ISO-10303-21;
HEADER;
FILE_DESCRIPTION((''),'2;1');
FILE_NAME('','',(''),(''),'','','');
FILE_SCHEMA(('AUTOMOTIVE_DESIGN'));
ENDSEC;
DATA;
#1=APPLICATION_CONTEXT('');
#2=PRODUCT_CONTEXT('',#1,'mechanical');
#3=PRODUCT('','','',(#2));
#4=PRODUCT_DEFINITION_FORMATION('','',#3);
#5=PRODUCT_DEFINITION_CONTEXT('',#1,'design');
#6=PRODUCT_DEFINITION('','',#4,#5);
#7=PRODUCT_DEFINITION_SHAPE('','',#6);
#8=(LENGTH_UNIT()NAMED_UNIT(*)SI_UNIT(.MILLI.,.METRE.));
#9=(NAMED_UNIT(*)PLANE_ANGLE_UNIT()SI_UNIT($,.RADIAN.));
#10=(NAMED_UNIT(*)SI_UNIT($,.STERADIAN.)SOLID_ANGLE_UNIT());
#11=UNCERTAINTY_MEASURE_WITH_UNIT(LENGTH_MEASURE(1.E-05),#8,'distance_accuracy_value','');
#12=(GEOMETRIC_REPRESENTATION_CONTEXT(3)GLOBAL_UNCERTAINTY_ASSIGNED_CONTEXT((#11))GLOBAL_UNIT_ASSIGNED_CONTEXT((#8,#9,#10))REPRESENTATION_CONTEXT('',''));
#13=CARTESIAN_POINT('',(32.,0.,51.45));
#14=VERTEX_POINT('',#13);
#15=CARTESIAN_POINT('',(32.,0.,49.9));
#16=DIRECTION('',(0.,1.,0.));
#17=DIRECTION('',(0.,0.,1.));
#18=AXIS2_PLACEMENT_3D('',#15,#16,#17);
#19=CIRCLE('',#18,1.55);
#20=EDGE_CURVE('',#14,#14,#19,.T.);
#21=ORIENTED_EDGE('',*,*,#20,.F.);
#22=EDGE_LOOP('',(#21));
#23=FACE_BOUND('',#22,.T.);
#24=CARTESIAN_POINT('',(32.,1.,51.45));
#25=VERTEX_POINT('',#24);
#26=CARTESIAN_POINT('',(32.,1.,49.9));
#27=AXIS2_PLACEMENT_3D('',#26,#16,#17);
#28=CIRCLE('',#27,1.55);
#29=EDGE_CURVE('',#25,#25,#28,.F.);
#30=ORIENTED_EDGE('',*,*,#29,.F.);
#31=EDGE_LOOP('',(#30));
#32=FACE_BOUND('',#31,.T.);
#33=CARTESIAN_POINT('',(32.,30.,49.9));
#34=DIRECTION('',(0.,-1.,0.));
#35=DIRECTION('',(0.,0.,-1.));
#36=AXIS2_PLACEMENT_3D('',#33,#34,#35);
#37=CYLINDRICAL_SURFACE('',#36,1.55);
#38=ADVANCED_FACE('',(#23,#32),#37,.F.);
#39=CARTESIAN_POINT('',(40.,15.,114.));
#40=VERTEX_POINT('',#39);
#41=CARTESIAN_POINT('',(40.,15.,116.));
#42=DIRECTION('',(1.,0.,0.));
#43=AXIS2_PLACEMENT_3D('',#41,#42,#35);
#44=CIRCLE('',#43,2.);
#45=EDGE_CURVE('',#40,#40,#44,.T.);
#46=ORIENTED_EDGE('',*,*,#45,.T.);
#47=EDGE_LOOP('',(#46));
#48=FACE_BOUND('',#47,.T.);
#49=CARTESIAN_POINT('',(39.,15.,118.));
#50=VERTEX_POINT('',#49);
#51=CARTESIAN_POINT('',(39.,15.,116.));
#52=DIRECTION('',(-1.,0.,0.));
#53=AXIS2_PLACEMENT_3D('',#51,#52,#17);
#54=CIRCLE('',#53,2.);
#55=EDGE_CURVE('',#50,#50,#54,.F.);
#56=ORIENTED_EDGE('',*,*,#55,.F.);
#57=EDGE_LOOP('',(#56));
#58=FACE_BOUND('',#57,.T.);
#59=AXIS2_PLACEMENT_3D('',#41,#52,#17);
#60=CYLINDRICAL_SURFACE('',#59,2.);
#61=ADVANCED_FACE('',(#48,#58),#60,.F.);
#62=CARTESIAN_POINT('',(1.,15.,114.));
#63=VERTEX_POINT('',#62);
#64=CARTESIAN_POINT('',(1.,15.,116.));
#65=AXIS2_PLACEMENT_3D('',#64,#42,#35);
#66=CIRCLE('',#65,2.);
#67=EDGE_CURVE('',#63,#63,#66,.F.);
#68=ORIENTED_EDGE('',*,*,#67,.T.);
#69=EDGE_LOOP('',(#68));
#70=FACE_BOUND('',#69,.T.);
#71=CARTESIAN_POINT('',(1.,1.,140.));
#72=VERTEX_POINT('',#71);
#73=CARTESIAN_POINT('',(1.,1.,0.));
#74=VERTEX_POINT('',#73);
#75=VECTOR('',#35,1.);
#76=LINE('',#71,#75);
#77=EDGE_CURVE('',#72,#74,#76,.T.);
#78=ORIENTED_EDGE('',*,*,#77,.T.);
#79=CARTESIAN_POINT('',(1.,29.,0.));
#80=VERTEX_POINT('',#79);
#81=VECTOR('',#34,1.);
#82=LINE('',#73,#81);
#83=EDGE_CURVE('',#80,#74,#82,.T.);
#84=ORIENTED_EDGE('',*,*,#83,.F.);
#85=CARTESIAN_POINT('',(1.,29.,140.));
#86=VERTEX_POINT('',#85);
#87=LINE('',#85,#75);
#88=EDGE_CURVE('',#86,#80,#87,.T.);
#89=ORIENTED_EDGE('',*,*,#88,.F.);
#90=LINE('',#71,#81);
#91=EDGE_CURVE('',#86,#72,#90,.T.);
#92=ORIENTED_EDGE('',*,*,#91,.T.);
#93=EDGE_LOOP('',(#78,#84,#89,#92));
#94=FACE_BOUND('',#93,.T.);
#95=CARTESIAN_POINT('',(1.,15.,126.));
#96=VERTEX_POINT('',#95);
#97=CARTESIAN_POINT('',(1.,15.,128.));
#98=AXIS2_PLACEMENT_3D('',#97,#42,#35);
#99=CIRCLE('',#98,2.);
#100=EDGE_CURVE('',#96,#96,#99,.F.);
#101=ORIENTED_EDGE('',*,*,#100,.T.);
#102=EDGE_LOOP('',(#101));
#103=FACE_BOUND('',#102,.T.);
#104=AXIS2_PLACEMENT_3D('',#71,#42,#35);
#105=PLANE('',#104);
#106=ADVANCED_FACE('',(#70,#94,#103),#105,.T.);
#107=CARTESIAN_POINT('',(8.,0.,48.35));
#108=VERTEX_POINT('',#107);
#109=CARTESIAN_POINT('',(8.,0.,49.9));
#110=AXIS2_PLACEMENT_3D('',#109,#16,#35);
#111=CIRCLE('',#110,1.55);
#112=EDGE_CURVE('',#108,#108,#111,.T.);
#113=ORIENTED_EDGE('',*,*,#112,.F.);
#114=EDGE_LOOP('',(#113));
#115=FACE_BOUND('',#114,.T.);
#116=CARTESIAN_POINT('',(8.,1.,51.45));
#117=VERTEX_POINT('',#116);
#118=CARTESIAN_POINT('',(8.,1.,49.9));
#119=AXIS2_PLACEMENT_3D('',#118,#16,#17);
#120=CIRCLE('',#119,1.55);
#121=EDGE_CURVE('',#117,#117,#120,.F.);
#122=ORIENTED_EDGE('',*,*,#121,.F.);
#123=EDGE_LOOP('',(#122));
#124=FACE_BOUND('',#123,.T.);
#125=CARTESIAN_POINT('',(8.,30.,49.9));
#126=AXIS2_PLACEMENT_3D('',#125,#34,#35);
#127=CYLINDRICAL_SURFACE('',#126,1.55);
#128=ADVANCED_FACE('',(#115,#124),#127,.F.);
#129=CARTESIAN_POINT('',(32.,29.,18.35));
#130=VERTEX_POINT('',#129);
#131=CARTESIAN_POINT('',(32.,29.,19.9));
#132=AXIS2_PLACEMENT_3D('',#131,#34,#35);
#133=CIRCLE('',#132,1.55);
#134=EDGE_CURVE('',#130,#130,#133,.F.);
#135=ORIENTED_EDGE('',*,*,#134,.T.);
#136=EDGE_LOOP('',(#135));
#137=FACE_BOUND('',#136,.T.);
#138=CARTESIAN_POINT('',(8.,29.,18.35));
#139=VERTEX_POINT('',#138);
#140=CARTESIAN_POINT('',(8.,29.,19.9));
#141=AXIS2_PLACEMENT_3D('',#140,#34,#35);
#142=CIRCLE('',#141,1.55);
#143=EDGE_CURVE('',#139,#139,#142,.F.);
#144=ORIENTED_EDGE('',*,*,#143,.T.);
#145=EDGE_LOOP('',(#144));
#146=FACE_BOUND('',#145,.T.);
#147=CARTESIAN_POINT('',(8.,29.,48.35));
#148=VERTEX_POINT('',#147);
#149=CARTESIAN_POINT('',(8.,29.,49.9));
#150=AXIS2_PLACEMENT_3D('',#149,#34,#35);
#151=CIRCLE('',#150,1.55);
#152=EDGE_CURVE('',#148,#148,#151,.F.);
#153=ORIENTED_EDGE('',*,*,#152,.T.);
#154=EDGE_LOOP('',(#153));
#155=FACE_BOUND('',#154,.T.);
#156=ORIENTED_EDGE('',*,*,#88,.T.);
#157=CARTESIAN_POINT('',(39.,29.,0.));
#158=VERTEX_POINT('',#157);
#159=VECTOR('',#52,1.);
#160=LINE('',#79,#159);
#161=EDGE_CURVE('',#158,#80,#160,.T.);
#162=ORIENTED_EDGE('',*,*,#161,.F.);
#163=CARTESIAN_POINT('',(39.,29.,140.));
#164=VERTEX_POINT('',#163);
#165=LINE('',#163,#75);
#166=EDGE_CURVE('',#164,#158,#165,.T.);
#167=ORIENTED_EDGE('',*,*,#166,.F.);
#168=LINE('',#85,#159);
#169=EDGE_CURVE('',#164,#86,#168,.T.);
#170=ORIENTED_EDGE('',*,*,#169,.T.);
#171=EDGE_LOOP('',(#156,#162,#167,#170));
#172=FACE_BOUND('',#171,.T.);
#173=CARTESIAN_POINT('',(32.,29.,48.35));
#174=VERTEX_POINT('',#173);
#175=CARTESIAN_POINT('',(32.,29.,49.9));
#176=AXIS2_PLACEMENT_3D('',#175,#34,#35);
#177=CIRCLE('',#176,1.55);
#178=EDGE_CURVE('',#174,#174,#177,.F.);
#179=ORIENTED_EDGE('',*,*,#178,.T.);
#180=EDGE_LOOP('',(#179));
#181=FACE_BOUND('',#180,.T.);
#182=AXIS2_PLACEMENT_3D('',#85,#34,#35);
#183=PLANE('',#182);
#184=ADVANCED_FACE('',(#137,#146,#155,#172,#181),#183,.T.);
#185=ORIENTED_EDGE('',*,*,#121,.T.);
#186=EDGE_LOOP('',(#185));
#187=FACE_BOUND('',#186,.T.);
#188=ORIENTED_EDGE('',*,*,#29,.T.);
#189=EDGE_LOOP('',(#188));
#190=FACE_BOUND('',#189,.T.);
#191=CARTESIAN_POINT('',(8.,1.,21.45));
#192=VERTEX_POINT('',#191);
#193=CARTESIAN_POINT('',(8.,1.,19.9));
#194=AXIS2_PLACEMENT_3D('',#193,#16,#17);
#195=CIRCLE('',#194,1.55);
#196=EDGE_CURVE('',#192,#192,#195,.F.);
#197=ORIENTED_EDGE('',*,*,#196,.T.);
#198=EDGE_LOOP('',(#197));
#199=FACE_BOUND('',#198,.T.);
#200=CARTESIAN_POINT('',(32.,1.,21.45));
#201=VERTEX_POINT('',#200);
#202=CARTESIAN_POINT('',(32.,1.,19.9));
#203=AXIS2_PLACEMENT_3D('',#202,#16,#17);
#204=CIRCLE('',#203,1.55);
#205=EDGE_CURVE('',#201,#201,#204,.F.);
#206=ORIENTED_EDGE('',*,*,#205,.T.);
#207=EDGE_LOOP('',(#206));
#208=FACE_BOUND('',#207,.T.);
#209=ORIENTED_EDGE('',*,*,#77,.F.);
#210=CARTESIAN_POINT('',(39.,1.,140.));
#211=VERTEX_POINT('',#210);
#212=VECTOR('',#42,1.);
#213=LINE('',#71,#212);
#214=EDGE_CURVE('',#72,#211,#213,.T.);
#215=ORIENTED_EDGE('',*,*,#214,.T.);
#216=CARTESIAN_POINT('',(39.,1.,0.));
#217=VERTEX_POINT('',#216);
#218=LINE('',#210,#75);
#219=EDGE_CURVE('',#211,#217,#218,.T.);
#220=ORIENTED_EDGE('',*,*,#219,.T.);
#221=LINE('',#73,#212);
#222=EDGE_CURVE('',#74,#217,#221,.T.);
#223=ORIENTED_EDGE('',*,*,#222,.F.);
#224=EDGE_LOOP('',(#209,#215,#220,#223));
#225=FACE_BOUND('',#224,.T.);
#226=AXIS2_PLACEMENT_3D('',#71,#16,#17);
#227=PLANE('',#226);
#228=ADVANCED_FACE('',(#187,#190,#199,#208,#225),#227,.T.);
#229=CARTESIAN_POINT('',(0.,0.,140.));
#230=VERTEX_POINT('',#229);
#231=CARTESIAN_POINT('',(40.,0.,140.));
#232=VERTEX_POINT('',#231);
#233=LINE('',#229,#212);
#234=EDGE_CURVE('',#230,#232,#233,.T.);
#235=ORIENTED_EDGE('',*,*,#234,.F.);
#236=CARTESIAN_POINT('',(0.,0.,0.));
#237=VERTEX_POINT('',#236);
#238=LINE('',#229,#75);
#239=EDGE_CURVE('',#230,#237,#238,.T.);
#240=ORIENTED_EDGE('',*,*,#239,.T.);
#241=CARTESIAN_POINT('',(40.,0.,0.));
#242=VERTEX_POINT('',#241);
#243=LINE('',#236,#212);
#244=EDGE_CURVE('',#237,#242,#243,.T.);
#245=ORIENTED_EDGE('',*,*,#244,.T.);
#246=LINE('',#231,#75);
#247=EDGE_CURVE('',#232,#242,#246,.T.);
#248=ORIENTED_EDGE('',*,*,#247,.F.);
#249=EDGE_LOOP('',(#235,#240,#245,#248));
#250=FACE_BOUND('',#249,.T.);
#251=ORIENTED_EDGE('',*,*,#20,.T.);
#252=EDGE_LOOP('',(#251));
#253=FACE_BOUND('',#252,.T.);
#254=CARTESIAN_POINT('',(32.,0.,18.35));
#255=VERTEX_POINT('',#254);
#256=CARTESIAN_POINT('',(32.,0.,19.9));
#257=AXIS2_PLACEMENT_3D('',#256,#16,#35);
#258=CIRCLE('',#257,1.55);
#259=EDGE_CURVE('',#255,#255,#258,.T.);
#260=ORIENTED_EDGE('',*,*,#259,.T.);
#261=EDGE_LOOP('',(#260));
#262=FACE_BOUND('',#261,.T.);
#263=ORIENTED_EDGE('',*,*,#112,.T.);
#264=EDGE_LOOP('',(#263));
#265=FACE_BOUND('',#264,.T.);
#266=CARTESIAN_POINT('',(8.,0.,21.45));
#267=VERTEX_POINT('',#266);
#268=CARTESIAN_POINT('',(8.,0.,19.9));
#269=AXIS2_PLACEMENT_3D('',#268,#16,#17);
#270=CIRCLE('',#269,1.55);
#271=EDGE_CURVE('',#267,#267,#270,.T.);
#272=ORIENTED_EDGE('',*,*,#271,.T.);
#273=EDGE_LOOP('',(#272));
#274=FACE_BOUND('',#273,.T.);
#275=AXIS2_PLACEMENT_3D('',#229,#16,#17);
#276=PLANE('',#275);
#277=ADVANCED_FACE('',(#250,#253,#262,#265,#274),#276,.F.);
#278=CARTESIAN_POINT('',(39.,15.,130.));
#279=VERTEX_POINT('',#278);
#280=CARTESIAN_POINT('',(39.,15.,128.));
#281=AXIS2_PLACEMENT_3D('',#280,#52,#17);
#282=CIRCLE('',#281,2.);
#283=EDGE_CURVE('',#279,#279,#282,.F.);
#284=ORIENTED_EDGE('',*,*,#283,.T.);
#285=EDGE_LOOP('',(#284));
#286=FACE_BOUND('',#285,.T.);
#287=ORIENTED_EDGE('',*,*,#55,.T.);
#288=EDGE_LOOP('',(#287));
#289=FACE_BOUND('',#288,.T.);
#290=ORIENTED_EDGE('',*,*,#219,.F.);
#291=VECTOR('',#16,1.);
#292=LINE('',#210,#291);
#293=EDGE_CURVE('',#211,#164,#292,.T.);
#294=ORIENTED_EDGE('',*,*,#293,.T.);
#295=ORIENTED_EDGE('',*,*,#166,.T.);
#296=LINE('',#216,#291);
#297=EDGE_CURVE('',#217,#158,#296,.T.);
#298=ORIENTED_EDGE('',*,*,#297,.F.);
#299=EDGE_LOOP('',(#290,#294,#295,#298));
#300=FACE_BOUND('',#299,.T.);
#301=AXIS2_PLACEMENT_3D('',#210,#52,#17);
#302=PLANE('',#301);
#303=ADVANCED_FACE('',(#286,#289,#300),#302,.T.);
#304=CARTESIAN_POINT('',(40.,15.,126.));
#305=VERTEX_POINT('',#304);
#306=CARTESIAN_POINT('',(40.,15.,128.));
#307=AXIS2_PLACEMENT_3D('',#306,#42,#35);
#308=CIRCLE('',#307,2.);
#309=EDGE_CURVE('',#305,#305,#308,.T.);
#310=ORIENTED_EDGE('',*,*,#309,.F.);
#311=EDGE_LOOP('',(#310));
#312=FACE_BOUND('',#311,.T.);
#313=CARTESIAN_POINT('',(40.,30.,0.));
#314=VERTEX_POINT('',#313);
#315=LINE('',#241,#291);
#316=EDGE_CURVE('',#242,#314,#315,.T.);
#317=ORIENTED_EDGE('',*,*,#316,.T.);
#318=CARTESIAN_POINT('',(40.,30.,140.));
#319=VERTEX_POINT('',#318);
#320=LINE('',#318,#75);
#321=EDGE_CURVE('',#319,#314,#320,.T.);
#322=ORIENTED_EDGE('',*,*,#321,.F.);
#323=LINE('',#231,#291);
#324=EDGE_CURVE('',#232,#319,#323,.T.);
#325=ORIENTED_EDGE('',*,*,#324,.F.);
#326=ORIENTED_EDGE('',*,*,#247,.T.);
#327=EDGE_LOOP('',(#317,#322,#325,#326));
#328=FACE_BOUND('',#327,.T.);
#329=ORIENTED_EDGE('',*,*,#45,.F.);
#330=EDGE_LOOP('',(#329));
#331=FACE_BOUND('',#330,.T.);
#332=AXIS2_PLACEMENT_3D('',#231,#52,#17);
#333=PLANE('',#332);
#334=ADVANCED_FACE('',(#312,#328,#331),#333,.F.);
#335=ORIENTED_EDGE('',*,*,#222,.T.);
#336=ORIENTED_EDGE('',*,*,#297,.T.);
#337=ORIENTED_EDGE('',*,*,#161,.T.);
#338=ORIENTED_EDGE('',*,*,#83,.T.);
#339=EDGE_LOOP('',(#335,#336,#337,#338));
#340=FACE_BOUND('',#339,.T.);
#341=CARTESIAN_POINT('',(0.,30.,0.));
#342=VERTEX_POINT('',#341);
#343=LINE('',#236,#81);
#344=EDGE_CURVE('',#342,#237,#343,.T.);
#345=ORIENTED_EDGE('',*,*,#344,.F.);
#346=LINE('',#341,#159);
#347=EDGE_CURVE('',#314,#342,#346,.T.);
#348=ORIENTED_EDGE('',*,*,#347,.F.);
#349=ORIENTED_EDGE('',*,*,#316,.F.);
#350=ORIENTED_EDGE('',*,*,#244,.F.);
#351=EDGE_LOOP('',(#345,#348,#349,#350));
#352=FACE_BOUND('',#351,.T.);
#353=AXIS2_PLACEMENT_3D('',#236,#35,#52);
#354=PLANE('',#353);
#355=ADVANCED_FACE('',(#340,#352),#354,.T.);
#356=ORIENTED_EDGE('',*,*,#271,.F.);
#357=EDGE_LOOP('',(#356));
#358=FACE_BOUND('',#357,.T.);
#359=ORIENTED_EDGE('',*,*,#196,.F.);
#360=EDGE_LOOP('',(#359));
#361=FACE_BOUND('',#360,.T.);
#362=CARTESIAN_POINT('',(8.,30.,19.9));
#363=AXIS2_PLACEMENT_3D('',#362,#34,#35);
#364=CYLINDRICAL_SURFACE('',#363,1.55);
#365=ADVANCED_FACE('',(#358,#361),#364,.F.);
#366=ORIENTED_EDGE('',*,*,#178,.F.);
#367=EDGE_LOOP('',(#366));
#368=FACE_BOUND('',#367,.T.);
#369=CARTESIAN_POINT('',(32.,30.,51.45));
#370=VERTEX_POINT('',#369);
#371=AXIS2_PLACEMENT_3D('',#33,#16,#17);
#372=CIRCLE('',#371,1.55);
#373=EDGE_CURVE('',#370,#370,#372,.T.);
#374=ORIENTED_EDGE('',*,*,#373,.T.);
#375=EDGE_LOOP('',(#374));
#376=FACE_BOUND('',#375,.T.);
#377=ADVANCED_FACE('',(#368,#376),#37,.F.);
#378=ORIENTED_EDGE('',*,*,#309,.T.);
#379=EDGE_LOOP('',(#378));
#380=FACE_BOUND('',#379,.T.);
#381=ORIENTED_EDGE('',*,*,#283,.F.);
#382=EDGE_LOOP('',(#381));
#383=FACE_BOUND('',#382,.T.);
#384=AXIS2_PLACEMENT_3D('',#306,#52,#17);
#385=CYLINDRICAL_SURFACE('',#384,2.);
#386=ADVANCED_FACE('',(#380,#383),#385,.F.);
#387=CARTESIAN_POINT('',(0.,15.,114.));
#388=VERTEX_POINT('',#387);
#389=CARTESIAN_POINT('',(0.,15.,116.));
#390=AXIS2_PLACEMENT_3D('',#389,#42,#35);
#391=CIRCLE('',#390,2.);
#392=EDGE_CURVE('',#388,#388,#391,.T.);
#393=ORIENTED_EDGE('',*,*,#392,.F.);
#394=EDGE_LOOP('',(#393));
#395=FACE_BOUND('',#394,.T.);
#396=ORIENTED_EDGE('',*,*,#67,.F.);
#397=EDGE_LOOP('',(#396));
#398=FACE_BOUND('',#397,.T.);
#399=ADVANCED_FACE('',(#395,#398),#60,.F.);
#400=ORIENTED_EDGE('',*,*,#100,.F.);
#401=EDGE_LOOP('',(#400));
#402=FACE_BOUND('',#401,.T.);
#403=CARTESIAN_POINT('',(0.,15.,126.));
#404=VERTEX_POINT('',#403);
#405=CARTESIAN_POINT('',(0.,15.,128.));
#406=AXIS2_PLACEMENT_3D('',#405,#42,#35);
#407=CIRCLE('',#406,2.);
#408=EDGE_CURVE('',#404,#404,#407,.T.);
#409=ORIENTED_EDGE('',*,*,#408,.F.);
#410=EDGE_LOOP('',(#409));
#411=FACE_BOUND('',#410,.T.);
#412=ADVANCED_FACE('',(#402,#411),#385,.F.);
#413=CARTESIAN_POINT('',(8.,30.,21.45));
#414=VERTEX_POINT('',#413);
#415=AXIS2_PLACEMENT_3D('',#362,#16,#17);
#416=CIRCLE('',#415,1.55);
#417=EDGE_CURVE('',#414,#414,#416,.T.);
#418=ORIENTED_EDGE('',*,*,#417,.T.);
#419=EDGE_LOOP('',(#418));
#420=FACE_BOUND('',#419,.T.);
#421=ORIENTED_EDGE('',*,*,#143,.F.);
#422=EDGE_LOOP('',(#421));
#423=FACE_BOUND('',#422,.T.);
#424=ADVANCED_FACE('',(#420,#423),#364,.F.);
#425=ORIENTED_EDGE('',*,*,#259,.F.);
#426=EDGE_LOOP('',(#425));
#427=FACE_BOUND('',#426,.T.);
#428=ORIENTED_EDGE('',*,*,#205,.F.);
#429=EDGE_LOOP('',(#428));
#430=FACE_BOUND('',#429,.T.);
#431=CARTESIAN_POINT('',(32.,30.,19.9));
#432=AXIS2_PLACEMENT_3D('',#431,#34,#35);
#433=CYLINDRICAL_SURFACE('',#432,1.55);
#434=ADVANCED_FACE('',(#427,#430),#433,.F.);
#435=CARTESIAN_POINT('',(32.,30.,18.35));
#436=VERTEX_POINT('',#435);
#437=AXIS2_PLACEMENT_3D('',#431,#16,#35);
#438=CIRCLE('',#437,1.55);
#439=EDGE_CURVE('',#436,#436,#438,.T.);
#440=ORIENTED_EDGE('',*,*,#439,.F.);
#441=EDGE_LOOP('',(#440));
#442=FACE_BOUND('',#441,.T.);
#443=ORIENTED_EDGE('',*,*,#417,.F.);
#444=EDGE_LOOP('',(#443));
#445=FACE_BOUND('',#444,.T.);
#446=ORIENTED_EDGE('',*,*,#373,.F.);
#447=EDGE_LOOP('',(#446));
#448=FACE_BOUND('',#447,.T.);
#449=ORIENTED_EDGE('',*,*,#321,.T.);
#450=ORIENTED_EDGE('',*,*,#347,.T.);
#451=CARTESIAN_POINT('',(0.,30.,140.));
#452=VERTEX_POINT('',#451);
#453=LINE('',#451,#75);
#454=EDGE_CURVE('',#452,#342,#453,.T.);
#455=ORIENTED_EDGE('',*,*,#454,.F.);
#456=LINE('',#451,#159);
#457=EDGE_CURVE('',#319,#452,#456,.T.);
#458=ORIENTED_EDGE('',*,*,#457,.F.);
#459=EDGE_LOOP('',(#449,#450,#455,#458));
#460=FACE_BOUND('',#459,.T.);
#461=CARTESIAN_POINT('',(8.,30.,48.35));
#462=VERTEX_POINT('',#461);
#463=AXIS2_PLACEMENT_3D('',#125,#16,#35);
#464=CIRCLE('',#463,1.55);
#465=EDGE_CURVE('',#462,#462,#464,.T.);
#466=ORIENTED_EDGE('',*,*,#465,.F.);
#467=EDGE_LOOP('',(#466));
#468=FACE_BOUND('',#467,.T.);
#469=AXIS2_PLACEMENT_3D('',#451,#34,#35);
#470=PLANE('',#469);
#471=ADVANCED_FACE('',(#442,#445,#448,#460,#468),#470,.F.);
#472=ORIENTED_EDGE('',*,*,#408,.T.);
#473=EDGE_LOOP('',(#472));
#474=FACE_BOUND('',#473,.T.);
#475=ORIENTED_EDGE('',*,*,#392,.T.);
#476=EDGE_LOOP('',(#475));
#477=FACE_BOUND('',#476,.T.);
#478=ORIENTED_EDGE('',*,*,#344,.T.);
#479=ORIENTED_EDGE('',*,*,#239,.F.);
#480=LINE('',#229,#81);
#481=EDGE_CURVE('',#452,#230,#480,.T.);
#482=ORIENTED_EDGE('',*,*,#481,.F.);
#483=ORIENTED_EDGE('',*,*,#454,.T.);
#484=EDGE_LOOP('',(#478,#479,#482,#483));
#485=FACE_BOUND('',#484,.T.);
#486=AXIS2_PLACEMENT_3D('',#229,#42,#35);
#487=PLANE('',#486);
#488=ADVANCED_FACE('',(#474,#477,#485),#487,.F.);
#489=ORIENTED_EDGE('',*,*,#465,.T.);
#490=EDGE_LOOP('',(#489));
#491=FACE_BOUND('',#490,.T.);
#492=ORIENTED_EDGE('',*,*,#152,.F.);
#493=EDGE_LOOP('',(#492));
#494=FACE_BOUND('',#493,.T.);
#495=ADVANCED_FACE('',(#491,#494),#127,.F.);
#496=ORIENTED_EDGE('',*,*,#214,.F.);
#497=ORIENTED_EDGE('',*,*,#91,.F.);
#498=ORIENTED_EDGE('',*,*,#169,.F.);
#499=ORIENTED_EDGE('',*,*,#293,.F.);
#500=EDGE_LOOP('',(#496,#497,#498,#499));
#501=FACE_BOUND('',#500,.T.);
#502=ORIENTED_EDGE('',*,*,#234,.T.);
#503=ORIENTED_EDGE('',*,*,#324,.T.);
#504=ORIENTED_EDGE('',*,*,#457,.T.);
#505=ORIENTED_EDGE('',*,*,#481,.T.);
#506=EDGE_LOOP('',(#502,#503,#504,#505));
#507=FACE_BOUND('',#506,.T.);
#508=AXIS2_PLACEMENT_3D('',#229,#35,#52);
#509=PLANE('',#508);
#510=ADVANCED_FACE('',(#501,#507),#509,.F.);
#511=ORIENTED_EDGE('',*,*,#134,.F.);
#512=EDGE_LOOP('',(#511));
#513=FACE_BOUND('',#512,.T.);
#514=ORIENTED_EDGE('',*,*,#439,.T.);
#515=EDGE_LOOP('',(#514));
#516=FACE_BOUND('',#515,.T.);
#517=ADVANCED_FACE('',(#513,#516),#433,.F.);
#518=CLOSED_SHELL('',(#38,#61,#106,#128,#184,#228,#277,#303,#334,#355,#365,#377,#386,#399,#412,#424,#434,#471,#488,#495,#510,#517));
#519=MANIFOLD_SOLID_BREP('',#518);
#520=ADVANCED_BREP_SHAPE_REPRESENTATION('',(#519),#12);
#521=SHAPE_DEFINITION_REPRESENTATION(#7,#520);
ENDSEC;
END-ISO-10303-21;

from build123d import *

# Parameters (mm, degrees)
SKETCH_1_W          = 40
SKETCH_1_H          = 30
SKETCH_1_W_2        = 38
SKETCH_1_H_2        = 28
EXTRUDE_1_DEPTH     = 140
SKETCH_2_R          = 2
CUT_EXTRUDE_1_DEPTH = 149.660687473
SKETCH_3_R          = 1.55
CUT_EXTRUDE_2_DEPTH = 149.660687473


with BuildPart() as part:
    # 草图1 → 凸台-拉伸1 (new body)
    with BuildSketch(Plane.XY):
        with Locations((20, 15)):
            Rectangle(SKETCH_1_W, SKETCH_1_H)
        with Locations((20, 15)):
            Rectangle(SKETCH_1_W_2, SKETCH_1_H_2, mode=Mode.SUBTRACT)
    extrude(amount=EXTRUDE_1_DEPTH)

    # 草图2 → 切除-拉伸1 (cut, through all)
    with BuildSketch(Plane(origin=(0, 0, 0), x_dir=(0, 0, -1), z_dir=(1, 0, 0))):
        with Locations(Location((-116, 15, 0), (0, 0, 180))):
            Circle(SKETCH_2_R)
        with Locations(Location((-128, 15, 0), (0, 0, 180))):
            Circle(SKETCH_2_R)
    extrude(amount=CUT_EXTRUDE_1_DEPTH, mode=Mode.SUBTRACT)

    # 草图3 → 切除-拉伸2 (cut, through all)
    with BuildSketch(Plane(origin=(0, 0, 0), x_dir=(1, 0, 0), z_dir=(0, 1, 0))):
        with Locations(Location((8, -19.9, 0), (0, 0, 90))):
            Circle(SKETCH_3_R)
        with Locations(Location((32, -19.9, 0), (0, 0, 90))):
            Circle(SKETCH_3_R)
        with Locations(Location((32, -49.9, 0), (0, 0, 90))):
            Circle(SKETCH_3_R)
        with Locations(Location((8, -49.9, 0), (0, 0, 90))):
            Circle(SKETCH_3_R)
    extrude(amount=CUT_EXTRUDE_2_DEPTH, mode=Mode.SUBTRACT)


solid = part.part
